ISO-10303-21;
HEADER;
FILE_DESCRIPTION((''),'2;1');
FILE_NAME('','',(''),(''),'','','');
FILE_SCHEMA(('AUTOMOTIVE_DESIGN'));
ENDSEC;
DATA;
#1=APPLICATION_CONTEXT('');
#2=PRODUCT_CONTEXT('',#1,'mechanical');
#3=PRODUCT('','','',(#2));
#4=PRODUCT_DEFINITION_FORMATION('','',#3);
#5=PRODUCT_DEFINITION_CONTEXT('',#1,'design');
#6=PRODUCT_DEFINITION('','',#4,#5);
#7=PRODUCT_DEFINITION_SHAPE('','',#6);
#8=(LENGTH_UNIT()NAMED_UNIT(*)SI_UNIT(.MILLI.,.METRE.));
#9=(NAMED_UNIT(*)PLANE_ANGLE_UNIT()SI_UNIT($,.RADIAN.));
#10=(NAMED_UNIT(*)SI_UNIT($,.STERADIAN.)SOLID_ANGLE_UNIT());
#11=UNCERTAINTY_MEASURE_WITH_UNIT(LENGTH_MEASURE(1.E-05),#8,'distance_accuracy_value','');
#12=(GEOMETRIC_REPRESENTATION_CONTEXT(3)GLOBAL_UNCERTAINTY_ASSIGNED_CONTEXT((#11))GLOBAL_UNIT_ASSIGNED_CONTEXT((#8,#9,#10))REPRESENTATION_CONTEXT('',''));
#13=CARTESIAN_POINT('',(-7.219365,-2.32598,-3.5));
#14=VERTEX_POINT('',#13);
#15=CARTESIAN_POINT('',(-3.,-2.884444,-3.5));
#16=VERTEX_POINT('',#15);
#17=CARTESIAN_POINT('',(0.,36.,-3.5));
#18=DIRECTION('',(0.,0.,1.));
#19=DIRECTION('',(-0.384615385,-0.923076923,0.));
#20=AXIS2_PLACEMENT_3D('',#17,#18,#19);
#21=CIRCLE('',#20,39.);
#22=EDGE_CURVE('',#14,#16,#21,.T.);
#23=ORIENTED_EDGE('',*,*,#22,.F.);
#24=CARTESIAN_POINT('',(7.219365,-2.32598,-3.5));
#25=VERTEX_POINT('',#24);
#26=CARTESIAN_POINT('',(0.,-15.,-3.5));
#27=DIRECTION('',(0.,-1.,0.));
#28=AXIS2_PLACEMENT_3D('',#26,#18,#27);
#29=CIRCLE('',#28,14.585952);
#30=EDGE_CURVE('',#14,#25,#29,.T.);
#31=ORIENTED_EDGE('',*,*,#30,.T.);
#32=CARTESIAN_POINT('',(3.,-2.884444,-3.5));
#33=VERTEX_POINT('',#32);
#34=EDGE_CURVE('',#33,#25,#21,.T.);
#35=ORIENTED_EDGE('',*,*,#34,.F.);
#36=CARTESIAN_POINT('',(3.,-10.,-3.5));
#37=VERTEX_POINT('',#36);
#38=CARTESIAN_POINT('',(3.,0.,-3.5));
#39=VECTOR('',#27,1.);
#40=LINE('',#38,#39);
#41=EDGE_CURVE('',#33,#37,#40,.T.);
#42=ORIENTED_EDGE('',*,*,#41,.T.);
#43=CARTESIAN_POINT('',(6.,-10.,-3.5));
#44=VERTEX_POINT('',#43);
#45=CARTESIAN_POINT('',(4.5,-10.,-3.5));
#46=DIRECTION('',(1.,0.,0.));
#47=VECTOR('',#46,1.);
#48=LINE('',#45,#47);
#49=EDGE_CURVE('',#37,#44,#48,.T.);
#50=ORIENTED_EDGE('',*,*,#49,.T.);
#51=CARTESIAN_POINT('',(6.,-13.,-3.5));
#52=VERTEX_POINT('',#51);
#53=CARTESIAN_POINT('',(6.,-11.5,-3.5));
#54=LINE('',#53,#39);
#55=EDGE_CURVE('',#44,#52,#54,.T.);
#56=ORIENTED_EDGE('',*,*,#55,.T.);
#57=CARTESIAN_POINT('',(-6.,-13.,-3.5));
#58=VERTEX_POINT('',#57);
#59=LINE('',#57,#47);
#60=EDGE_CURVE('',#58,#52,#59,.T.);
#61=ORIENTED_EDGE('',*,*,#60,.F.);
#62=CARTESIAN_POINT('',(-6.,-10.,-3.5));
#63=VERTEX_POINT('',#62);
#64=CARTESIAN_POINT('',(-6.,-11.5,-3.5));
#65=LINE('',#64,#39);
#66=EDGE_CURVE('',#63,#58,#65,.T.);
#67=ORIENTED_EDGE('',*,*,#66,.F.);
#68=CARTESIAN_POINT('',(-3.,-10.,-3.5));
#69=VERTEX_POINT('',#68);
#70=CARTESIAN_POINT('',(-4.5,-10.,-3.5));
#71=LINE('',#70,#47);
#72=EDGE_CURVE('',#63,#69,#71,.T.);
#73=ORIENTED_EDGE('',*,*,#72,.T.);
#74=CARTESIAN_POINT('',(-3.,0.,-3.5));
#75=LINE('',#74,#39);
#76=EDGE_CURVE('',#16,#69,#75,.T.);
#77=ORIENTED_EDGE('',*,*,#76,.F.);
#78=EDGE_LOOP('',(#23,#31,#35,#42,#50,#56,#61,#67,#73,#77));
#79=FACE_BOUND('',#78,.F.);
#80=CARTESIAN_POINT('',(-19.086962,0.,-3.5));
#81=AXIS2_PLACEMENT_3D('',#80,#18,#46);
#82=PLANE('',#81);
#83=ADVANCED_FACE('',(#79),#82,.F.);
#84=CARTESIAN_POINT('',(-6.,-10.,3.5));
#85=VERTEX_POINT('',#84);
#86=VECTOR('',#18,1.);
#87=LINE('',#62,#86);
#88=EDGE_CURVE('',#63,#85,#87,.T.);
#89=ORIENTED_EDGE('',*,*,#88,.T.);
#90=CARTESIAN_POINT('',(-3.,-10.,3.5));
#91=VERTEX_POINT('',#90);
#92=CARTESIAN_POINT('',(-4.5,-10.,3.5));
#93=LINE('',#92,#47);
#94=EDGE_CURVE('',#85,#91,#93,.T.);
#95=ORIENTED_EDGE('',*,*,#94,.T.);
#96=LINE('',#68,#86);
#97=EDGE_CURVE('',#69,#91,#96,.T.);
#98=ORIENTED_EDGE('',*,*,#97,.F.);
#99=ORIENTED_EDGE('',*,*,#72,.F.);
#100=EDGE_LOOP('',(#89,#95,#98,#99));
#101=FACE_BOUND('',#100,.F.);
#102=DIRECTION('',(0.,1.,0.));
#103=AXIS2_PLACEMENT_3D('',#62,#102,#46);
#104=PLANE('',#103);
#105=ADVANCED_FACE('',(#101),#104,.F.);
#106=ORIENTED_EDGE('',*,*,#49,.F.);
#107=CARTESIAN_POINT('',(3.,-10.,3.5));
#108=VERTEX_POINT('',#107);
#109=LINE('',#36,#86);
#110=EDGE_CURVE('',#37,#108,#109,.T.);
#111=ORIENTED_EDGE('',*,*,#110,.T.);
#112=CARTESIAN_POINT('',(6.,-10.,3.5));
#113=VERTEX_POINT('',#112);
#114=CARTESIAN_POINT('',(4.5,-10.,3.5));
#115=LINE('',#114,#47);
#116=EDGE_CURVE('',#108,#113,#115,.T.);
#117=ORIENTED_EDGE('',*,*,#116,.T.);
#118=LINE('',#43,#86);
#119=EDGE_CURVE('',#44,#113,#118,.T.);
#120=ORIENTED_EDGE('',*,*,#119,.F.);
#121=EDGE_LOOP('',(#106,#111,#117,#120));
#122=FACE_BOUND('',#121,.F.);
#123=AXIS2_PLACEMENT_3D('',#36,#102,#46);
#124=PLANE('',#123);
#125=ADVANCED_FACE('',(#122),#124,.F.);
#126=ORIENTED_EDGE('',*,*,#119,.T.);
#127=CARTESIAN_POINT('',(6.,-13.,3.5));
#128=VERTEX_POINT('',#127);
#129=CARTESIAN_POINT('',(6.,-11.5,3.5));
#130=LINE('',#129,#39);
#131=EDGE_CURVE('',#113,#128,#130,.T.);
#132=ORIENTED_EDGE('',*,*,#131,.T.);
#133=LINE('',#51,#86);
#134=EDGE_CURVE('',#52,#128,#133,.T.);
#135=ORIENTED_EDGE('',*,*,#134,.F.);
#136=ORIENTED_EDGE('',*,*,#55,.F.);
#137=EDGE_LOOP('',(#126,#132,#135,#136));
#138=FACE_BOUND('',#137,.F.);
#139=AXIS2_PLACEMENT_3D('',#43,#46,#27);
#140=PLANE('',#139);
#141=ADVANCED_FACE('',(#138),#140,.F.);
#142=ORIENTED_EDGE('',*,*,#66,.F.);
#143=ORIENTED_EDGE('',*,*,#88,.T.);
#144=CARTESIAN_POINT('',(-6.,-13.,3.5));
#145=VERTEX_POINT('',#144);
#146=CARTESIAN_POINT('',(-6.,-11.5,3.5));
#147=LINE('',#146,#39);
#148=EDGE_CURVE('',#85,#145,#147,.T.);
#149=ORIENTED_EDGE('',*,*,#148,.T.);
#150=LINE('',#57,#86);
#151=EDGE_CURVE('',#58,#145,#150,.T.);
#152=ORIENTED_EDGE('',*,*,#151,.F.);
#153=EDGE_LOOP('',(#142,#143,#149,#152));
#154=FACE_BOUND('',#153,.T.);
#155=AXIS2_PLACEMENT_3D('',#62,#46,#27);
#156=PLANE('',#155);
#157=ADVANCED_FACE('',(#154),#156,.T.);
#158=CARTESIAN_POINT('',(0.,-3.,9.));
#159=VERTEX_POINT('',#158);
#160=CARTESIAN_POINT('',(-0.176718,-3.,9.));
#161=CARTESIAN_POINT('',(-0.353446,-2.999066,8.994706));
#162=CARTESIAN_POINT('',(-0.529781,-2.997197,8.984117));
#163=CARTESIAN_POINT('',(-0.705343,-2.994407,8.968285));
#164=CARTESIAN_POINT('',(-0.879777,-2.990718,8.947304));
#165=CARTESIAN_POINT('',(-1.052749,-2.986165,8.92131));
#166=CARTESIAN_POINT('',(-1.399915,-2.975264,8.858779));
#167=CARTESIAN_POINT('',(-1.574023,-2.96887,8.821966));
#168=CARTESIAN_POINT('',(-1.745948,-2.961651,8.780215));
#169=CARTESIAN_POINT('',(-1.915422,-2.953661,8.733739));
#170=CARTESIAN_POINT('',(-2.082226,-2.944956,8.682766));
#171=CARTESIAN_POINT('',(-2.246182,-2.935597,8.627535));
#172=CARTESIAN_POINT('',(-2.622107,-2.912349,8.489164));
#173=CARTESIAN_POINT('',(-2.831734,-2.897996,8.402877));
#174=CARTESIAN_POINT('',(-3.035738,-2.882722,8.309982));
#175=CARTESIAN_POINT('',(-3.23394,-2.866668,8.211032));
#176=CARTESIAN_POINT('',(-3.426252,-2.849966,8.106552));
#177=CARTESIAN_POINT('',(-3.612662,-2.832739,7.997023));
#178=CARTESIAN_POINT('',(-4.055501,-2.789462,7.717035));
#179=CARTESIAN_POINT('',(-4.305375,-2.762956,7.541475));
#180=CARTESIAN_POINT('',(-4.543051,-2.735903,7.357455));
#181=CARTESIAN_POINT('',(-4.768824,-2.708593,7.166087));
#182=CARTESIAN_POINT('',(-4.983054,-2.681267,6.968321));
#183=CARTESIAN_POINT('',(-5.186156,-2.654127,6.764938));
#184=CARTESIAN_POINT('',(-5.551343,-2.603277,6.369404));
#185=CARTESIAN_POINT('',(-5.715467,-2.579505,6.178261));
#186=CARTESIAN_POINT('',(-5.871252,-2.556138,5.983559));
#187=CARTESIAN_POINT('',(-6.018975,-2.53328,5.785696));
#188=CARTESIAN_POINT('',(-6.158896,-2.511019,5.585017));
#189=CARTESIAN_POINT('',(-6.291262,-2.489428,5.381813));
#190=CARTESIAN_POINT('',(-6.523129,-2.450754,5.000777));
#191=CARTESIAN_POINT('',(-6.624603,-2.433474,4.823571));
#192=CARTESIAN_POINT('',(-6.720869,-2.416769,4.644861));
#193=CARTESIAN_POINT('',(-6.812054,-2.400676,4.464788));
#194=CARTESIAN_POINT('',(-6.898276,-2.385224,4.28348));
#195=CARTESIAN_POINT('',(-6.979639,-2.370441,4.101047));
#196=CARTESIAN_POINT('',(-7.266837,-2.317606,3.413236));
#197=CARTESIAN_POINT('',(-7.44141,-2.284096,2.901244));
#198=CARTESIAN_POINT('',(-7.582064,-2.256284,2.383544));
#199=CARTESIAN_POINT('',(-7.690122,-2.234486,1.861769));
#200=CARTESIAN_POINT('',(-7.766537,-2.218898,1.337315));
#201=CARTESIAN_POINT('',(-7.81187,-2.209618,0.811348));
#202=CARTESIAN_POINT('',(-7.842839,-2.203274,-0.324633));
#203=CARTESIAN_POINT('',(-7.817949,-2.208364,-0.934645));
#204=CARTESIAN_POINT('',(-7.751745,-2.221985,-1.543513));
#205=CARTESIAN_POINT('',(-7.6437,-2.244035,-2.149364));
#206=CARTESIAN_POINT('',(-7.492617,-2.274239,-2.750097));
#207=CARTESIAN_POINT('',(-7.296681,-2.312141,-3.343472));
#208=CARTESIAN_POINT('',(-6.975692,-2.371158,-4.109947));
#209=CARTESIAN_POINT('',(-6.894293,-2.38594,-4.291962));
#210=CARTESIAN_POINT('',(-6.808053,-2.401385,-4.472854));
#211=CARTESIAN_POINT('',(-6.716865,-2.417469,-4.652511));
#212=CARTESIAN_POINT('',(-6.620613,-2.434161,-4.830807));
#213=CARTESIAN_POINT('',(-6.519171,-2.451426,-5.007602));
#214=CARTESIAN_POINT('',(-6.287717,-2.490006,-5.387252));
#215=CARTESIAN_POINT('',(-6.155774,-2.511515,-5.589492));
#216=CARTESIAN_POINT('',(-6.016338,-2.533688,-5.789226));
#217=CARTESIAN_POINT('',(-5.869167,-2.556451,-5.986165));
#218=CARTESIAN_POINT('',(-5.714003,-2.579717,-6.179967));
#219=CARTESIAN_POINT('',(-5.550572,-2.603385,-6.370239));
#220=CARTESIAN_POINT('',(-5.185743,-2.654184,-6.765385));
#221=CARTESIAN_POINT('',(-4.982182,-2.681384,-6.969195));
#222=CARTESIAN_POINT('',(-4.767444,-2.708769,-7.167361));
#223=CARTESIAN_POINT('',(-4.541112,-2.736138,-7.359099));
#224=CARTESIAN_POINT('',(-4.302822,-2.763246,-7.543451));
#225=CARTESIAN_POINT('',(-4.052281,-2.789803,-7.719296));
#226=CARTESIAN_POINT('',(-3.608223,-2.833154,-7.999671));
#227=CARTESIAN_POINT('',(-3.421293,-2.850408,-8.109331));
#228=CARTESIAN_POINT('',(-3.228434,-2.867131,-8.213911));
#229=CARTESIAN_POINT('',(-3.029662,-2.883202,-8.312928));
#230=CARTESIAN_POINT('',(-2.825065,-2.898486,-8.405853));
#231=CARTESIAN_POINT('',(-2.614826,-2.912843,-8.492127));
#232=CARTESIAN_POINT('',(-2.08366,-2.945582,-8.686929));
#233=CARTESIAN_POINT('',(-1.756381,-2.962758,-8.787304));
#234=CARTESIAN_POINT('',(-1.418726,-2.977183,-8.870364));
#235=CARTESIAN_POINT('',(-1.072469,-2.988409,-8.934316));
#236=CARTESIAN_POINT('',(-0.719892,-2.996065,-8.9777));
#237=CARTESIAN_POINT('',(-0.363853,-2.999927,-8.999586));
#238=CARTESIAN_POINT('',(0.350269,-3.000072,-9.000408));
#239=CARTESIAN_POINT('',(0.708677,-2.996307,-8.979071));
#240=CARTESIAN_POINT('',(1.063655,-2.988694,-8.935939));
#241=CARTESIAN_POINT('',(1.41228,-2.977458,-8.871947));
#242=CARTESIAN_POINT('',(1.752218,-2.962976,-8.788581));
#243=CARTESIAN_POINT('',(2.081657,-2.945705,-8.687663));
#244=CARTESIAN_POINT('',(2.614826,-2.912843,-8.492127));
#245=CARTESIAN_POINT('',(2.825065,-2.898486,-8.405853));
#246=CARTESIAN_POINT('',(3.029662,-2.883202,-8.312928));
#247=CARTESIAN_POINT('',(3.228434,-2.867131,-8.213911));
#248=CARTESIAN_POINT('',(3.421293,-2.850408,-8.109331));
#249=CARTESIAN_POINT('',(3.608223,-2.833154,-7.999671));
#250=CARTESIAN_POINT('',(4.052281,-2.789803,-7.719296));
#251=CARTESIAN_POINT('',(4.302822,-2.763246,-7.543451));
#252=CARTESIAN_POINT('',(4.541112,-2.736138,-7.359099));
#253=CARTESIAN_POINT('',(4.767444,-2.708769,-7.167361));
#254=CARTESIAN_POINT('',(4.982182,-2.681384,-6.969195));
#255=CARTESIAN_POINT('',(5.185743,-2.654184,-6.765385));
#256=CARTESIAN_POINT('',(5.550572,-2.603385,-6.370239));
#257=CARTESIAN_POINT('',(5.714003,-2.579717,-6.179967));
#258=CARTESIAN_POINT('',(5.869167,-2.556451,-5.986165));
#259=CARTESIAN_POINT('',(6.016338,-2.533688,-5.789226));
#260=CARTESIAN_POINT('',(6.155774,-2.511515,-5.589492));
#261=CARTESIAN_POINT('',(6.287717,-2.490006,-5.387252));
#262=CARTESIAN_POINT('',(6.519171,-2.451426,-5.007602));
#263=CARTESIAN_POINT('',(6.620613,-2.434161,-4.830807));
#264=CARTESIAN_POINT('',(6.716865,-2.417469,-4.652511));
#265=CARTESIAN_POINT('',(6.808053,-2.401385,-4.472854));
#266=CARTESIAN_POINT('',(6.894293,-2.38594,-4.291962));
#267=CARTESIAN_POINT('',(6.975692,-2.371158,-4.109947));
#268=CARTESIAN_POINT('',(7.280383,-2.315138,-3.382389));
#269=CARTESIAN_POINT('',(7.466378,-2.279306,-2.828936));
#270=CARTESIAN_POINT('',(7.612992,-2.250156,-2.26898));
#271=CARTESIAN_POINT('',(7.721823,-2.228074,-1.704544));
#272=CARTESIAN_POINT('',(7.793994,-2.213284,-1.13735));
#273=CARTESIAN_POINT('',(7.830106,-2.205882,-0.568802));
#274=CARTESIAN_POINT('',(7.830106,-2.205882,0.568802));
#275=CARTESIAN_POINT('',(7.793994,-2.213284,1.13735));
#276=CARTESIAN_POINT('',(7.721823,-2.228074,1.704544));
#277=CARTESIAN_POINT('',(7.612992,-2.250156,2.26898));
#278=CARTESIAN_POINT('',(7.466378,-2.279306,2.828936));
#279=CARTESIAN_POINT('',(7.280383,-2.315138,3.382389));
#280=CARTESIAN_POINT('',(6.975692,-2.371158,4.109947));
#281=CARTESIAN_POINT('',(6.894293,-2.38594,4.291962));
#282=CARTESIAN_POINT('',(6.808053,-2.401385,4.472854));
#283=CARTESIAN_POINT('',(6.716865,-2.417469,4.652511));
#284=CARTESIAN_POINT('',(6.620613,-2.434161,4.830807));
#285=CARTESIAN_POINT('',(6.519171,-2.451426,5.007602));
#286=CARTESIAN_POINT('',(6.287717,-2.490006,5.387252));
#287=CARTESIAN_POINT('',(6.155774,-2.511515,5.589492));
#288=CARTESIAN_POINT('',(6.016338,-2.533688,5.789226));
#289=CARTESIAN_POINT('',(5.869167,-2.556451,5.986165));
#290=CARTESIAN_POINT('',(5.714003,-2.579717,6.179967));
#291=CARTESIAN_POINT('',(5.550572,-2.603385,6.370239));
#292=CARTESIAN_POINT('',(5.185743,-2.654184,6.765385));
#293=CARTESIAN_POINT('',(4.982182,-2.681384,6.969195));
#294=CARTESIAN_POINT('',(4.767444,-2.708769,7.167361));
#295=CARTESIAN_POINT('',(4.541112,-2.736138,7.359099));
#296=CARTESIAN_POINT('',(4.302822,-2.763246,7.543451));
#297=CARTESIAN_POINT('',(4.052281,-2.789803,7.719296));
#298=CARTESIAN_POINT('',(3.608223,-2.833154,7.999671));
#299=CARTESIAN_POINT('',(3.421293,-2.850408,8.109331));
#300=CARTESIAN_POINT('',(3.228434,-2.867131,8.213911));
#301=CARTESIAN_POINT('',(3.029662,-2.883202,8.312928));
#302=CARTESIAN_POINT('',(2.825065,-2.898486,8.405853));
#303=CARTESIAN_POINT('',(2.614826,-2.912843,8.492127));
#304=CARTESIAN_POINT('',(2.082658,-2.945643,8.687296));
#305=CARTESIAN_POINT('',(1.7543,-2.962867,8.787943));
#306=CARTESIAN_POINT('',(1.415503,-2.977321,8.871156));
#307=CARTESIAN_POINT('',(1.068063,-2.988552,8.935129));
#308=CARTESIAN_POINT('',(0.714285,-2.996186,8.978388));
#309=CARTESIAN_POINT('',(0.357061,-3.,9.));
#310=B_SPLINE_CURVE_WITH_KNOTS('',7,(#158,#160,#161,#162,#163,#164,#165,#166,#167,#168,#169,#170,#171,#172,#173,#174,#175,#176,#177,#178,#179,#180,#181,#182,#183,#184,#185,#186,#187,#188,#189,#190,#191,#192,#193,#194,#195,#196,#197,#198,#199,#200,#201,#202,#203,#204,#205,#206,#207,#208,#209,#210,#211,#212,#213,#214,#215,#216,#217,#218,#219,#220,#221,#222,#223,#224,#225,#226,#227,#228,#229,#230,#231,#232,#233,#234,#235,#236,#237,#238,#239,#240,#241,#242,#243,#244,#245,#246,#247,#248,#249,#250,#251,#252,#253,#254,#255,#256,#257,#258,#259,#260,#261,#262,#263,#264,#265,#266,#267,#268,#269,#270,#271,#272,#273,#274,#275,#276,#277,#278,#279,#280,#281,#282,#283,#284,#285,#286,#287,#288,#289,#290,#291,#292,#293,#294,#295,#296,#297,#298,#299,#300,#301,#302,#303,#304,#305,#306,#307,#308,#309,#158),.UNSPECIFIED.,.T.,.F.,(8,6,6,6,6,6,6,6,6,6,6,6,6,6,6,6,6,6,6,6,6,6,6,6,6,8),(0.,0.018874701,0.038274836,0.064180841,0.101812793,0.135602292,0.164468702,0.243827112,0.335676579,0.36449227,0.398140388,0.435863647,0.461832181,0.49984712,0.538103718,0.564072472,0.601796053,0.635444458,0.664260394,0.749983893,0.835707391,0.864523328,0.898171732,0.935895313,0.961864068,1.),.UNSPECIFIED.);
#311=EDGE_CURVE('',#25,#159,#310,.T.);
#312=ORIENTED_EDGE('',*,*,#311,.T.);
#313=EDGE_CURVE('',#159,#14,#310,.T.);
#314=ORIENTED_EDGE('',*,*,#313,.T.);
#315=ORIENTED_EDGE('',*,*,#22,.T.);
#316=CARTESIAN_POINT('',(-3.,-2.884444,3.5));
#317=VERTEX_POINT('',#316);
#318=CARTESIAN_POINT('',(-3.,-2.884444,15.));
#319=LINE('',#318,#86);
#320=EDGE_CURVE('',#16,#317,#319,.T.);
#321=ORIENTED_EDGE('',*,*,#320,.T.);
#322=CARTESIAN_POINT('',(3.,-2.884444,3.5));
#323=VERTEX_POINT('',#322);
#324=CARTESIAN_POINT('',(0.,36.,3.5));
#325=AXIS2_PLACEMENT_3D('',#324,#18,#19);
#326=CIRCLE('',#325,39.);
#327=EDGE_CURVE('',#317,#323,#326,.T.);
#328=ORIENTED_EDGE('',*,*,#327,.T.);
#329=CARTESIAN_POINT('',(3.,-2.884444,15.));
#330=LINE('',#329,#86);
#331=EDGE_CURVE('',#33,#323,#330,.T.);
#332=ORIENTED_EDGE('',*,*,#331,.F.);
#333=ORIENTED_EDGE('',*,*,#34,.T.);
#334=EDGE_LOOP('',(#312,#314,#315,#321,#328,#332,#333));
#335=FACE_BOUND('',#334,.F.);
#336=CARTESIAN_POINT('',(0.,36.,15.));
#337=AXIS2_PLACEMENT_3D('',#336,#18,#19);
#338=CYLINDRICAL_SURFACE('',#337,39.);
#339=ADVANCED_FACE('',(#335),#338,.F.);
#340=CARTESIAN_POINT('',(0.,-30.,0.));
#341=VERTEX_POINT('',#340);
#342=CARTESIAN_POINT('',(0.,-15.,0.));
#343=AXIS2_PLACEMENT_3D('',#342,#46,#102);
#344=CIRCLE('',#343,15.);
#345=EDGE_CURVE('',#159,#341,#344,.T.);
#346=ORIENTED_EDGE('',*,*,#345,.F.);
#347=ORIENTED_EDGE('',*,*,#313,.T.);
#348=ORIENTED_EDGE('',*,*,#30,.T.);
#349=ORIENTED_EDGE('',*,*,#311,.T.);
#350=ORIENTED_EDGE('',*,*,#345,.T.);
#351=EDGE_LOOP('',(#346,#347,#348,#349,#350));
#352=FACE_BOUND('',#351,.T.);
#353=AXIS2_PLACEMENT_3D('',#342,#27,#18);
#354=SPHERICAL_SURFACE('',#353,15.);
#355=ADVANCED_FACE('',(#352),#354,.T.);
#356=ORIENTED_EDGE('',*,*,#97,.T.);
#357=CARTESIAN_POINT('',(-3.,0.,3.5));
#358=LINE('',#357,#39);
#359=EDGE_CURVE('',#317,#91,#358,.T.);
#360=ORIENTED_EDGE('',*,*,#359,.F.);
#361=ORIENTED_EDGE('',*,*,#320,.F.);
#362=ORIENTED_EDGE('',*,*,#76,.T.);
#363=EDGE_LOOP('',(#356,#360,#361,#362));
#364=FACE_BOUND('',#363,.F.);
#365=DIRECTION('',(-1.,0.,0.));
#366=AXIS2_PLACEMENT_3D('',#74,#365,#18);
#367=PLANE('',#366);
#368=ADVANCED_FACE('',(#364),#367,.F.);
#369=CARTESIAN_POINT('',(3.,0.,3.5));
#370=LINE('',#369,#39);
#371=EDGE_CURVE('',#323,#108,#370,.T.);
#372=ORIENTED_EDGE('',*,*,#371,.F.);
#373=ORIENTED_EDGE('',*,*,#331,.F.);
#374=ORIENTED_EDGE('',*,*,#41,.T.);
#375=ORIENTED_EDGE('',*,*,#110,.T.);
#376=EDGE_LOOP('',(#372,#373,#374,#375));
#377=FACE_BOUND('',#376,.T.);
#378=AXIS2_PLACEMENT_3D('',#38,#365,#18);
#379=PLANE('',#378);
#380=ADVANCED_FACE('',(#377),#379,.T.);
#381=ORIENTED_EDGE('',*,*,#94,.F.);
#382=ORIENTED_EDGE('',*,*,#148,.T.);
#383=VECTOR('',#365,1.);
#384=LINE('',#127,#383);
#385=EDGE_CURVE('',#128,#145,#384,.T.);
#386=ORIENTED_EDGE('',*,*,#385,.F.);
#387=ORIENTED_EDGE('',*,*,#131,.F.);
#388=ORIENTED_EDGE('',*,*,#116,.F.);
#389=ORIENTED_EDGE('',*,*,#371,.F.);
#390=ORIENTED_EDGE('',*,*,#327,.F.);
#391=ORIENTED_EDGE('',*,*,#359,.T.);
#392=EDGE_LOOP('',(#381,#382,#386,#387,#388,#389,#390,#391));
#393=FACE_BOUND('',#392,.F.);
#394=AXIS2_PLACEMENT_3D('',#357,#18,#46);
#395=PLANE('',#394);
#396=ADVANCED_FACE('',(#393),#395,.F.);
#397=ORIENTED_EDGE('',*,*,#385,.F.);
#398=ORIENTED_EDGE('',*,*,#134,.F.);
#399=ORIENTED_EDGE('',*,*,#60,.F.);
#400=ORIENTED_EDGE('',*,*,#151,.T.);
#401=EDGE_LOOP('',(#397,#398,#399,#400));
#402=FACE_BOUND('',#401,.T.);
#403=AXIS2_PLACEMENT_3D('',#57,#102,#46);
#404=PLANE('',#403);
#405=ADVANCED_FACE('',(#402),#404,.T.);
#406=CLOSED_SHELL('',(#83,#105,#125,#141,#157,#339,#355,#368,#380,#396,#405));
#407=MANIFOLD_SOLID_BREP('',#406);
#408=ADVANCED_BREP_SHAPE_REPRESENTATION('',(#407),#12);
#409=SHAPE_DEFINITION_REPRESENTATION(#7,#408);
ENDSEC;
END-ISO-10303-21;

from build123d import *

# Parameters (mm, degrees)
F4_DEPTH  = 30.001
F5_W      = 6
F5_H      = 7
F6_DEPTH  = 13
F7_W      = 38.173924
F7_H      = 20
F8_DEPTH  = 30.001
F9_W      = 3
F9_H      = 3
F10_DEPTH = 7
F11_DEPTH = 30.001


with BuildPart() as f1:
    # F0 (on Right) → F1 (revolve)
    with BuildSketch(Plane.YZ):
        with BuildLine():
            Line((-30, 0), (0, 0))
            ThreePointArc((0, 0), (-15, 15), (-30, 0))
        make_face()
    revolve(axis=Axis((0, -15, 0), (0, -1, 0)))

    # F3 (on offset) → F4 (cut, through all)
    with BuildSketch(Plane.XY.offset(15)):
        with BuildLine():
            Line((15, 0), (0, 0))
            Line((0, 0), (-15, 0))
            ThreePointArc((-15, 0), (0, -3), (15, 0))
        make_face()
    extrude(amount=-F4_DEPTH, mode=Mode.SUBTRACT)

    # F5 (on Front) → F6 (cut)
    with BuildSketch(Plane.XZ):
        Rectangle(F5_W, F5_H)
    extrude(amount=F6_DEPTH, mode=Mode.SUBTRACT)

    # F7 (on Front) → F8 (cut, through all)
    with BuildSketch(Plane.XZ):
        with Locations((0, -13.5)):
            Rectangle(F7_W, F7_H)
    extrude(amount=F8_DEPTH, mode=Mode.SUBTRACT)

    # F9 (on face) → F10 (cut)
    with BuildSketch(Plane(origin=(0, 0, -3.5), x_dir=(1, 0, 0), z_dir=(0, 0, -1))):
        with Locations((-4.5, 11.5)):
            Rectangle(F9_W, F9_H)
        with Locations((4.5, 11.5)):
            Rectangle(F9_W, F9_H)
    extrude(amount=-F10_DEPTH, mode=Mode.SUBTRACT)

    # F7 (on Front) → F11 (cut, through all)
    with BuildSketch(Plane.XZ):
        with Locations((0, -13.5)):
            Rectangle(F7_W, F7_H)
    extrude(amount=F11_DEPTH, mode=Mode.SUBTRACT)


solid = f1.part
